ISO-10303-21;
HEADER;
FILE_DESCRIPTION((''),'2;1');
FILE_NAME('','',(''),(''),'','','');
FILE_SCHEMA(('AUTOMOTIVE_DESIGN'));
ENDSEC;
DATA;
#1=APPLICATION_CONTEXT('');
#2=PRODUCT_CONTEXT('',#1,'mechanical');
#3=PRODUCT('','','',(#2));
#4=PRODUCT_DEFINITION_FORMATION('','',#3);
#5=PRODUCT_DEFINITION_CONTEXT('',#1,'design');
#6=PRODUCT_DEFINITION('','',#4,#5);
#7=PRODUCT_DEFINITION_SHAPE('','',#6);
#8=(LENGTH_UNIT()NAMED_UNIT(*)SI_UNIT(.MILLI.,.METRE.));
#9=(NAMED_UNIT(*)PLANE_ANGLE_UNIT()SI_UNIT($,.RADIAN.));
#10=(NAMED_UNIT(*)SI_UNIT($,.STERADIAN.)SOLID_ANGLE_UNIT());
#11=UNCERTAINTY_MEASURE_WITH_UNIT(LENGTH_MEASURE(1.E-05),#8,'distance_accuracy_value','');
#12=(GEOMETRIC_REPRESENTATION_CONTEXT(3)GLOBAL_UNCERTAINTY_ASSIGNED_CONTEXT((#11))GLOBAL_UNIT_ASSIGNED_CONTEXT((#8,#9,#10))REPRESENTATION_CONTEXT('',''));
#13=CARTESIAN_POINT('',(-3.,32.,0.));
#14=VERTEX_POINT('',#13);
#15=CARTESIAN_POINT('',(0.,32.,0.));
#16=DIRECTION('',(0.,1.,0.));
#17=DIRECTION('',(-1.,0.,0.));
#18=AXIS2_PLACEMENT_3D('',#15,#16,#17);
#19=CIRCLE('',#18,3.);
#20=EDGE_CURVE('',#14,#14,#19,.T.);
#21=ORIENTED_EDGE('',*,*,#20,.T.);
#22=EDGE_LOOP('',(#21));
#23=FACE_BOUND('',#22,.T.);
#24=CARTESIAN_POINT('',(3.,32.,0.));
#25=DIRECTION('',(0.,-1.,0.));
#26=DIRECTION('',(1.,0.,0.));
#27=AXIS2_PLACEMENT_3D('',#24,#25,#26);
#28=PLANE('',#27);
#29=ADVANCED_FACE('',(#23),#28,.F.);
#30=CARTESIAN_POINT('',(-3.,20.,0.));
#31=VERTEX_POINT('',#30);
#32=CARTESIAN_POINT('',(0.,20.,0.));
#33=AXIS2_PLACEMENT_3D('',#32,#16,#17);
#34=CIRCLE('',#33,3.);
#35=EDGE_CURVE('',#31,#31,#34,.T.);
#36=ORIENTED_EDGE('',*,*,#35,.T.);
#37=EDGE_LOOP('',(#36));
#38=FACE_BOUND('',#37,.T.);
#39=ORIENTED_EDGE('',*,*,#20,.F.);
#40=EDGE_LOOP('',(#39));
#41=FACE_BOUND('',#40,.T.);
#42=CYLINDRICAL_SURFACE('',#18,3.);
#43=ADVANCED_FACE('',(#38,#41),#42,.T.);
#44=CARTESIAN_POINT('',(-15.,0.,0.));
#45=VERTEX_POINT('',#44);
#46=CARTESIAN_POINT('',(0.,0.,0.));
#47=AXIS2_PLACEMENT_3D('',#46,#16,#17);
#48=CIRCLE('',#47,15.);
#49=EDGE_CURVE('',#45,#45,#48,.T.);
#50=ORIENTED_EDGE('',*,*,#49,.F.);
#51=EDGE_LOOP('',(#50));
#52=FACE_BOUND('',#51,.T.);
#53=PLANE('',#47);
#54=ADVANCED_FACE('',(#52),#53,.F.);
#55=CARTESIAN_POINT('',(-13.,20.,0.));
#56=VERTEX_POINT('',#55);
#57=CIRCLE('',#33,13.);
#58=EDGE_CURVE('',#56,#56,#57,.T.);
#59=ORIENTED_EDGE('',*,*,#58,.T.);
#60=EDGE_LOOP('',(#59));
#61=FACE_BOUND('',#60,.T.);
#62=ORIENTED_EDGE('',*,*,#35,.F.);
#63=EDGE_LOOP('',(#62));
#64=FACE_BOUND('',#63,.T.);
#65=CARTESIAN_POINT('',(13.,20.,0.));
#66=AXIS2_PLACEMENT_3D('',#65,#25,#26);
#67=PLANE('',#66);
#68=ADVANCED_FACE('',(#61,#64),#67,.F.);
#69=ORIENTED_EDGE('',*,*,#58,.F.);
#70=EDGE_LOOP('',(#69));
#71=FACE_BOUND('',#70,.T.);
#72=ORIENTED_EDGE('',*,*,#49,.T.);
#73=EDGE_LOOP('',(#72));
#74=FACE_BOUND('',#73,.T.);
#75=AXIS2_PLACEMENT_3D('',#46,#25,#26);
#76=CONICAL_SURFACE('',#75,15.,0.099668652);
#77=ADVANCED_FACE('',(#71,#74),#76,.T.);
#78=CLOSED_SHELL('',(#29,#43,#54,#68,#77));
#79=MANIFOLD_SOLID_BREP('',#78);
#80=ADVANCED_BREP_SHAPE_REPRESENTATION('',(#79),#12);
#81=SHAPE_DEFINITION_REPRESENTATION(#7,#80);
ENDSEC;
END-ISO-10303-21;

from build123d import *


with BuildPart() as part:
    # Sketch1 → Revolve1 (revolve)
    with BuildSketch(Plane.XY, mode=Mode.PRIVATE) as revolve1_sk:
        Polygon((0, 0), (15, 0), (13, 20), (3, 20), (3, 32), (0, 32), align=None)
    revolve(revolve1_sk.sketch.rotate(Axis((0, 32, 0), (0, -1, 0)), 180), axis=Axis((0, 32, 0), (0, -1, 0)))


solid = part.part
